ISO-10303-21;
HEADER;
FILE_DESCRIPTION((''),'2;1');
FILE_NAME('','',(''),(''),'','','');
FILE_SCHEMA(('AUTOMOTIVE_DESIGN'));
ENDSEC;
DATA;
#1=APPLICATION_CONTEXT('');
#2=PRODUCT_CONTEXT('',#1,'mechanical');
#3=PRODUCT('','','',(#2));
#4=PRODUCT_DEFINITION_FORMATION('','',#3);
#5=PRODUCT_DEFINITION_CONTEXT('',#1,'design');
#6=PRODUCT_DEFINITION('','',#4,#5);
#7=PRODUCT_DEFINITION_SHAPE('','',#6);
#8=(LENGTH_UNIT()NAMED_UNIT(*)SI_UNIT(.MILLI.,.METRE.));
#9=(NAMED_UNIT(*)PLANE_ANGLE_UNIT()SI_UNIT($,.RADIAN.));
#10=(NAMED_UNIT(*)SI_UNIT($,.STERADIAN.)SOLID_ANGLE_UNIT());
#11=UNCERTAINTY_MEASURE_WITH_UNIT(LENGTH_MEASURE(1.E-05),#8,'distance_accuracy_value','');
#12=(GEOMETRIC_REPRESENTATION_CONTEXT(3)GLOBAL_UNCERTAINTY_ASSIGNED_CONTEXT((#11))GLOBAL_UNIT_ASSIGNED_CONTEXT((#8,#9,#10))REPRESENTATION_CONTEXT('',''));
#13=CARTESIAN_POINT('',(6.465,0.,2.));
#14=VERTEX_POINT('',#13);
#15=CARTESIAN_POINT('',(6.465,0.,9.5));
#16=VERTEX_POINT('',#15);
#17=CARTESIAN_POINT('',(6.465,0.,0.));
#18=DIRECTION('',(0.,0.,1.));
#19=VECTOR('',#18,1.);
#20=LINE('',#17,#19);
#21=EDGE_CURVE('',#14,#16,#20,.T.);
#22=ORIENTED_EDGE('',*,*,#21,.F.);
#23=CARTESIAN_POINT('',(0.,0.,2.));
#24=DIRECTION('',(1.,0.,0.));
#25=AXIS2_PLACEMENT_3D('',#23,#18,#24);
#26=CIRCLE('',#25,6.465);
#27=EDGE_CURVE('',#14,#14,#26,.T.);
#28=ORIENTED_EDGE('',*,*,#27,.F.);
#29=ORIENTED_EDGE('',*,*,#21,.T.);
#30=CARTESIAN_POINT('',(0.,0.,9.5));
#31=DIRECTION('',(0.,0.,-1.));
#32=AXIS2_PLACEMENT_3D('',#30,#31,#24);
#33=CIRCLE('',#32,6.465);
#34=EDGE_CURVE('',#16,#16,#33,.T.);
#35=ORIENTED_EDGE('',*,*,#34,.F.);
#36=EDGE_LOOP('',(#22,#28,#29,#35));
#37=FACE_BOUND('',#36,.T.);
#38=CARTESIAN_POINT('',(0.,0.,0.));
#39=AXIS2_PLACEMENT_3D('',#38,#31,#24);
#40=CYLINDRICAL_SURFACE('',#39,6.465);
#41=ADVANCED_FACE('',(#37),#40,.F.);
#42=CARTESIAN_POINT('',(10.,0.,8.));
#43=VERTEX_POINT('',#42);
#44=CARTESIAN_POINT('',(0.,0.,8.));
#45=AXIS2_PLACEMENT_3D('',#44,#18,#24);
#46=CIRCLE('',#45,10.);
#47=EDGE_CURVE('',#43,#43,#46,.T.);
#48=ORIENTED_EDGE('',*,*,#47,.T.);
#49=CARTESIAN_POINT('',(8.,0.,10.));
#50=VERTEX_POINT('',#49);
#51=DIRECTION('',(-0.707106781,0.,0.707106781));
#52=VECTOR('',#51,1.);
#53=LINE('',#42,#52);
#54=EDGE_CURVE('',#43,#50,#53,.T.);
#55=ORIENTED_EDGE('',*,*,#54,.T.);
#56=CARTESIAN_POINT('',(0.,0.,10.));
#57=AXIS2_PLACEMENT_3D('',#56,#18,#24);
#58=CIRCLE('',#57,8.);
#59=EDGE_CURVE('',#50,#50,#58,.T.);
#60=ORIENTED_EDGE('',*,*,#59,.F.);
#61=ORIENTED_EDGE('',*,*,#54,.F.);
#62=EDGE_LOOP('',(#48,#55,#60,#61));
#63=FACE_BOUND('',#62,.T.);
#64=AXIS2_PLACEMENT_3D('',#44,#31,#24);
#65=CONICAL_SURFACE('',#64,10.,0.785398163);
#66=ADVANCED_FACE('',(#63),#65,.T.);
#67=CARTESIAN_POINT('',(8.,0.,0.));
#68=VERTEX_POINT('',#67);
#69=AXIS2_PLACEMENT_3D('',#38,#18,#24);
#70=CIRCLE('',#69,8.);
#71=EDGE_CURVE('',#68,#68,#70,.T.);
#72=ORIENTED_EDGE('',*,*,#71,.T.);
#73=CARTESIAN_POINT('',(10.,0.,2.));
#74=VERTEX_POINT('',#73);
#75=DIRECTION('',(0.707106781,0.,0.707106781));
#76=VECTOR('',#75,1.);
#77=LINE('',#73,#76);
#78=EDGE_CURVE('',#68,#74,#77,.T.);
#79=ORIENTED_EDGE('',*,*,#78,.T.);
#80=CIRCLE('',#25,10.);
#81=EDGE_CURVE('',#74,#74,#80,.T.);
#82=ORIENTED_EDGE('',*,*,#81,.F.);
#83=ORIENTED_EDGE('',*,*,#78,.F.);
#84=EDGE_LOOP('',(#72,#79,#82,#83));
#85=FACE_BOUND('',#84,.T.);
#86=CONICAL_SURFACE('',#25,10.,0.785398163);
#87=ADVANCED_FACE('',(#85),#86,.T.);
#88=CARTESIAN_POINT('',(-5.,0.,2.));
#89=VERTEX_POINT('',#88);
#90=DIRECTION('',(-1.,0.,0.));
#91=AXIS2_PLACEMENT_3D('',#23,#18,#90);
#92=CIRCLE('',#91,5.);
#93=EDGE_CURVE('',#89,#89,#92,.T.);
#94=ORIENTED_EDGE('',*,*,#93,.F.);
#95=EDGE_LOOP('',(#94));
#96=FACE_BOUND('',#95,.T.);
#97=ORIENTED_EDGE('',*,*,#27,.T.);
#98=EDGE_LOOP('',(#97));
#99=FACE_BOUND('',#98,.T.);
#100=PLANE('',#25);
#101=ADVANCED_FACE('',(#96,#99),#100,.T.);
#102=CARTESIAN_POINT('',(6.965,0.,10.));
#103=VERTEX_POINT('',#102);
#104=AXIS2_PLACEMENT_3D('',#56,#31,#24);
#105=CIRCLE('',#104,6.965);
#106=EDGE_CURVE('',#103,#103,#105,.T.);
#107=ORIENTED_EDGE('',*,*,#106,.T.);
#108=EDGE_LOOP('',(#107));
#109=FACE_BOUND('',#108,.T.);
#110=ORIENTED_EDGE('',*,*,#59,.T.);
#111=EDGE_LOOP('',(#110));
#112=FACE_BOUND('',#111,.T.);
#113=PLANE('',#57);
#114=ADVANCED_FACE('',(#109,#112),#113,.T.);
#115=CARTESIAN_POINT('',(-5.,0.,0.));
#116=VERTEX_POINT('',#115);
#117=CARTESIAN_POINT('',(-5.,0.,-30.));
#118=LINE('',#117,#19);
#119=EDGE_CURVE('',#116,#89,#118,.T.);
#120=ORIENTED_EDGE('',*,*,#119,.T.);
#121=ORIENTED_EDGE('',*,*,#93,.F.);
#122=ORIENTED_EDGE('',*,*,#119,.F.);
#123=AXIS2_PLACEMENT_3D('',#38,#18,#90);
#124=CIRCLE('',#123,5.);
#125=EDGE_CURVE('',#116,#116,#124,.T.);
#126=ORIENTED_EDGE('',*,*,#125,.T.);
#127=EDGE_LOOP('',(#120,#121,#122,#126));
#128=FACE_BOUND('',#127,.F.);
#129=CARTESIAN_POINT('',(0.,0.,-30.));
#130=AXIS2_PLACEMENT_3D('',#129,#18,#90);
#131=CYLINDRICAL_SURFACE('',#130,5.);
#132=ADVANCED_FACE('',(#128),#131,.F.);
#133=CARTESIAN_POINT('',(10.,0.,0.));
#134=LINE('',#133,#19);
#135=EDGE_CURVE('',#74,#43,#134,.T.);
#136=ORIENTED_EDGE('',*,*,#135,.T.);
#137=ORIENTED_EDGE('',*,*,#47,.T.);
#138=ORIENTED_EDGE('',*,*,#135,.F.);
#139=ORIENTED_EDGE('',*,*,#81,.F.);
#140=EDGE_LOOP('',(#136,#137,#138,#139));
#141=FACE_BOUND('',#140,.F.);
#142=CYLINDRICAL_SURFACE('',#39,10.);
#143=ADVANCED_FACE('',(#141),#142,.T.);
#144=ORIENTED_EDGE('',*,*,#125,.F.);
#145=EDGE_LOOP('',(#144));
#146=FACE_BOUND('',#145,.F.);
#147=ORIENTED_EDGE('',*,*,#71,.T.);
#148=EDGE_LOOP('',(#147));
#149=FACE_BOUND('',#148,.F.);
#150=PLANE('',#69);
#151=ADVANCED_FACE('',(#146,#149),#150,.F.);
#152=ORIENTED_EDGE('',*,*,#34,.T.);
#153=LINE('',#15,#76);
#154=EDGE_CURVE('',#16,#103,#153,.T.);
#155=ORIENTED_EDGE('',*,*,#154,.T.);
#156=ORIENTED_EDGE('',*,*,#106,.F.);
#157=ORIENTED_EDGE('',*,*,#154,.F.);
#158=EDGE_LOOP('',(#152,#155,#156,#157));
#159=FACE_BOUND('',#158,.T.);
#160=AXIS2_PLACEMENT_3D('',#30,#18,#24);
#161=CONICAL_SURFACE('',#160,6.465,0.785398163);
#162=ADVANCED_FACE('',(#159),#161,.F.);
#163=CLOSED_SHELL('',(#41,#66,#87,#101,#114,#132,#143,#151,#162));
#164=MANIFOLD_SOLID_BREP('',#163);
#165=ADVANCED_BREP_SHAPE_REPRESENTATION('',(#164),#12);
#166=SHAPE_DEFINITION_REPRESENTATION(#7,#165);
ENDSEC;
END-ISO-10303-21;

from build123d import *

# Parameters (mm, degrees)
F0_R     = 10
F2_DEPTH = 10
F1_R     = 6.465
F3_DEPTH = 12
F4_R     = 6.465
F6_DEPTH = 2
F7_D     = 10
F8_SIZE2 = 2
F8_SIZE  = 2
F9_SIZE2 = 0.5
F9_SIZE  = 0.5


with BuildPart() as f2:
    # F0 (on Top) → F2 (new body)
    with BuildSketch(Plane.XY):
        Circle(F0_R)
    extrude(amount=F2_DEPTH)

    # F1 (on Top) → F3 (cut)
    with BuildSketch(Plane.XY):
        Circle(F1_R)
    extrude(amount=F3_DEPTH, mode=Mode.SUBTRACT)

    # F4 (on face) → F6 (join)
    with BuildSketch(Plane.XY):
        Circle(F4_R)
    extrude(amount=F6_DEPTH)

    # F7 (through all)
    with Locations(Plane(origin=(0, 0, 0), x_dir=(1, 0, 0), z_dir=(0, 0, -1))):
        with Locations((0, 0)):
            Hole(F7_D / 2)

    # F8
    f8_edges = [f2.edges().sort_by_distance(p)[0] for p in [
        (-10, 0, 10),
        (-10, 0, 0),
    ]]
    chamfer(f8_edges, length=F8_SIZE, length2=F8_SIZE2)

    # F9
    f9_edges = [f2.edges().sort_by_distance(p)[0] for p in [
        (-6.465, 0, 10),
    ]]
    chamfer(f9_edges, length=F9_SIZE, length2=F9_SIZE2)


solid = f2.part
